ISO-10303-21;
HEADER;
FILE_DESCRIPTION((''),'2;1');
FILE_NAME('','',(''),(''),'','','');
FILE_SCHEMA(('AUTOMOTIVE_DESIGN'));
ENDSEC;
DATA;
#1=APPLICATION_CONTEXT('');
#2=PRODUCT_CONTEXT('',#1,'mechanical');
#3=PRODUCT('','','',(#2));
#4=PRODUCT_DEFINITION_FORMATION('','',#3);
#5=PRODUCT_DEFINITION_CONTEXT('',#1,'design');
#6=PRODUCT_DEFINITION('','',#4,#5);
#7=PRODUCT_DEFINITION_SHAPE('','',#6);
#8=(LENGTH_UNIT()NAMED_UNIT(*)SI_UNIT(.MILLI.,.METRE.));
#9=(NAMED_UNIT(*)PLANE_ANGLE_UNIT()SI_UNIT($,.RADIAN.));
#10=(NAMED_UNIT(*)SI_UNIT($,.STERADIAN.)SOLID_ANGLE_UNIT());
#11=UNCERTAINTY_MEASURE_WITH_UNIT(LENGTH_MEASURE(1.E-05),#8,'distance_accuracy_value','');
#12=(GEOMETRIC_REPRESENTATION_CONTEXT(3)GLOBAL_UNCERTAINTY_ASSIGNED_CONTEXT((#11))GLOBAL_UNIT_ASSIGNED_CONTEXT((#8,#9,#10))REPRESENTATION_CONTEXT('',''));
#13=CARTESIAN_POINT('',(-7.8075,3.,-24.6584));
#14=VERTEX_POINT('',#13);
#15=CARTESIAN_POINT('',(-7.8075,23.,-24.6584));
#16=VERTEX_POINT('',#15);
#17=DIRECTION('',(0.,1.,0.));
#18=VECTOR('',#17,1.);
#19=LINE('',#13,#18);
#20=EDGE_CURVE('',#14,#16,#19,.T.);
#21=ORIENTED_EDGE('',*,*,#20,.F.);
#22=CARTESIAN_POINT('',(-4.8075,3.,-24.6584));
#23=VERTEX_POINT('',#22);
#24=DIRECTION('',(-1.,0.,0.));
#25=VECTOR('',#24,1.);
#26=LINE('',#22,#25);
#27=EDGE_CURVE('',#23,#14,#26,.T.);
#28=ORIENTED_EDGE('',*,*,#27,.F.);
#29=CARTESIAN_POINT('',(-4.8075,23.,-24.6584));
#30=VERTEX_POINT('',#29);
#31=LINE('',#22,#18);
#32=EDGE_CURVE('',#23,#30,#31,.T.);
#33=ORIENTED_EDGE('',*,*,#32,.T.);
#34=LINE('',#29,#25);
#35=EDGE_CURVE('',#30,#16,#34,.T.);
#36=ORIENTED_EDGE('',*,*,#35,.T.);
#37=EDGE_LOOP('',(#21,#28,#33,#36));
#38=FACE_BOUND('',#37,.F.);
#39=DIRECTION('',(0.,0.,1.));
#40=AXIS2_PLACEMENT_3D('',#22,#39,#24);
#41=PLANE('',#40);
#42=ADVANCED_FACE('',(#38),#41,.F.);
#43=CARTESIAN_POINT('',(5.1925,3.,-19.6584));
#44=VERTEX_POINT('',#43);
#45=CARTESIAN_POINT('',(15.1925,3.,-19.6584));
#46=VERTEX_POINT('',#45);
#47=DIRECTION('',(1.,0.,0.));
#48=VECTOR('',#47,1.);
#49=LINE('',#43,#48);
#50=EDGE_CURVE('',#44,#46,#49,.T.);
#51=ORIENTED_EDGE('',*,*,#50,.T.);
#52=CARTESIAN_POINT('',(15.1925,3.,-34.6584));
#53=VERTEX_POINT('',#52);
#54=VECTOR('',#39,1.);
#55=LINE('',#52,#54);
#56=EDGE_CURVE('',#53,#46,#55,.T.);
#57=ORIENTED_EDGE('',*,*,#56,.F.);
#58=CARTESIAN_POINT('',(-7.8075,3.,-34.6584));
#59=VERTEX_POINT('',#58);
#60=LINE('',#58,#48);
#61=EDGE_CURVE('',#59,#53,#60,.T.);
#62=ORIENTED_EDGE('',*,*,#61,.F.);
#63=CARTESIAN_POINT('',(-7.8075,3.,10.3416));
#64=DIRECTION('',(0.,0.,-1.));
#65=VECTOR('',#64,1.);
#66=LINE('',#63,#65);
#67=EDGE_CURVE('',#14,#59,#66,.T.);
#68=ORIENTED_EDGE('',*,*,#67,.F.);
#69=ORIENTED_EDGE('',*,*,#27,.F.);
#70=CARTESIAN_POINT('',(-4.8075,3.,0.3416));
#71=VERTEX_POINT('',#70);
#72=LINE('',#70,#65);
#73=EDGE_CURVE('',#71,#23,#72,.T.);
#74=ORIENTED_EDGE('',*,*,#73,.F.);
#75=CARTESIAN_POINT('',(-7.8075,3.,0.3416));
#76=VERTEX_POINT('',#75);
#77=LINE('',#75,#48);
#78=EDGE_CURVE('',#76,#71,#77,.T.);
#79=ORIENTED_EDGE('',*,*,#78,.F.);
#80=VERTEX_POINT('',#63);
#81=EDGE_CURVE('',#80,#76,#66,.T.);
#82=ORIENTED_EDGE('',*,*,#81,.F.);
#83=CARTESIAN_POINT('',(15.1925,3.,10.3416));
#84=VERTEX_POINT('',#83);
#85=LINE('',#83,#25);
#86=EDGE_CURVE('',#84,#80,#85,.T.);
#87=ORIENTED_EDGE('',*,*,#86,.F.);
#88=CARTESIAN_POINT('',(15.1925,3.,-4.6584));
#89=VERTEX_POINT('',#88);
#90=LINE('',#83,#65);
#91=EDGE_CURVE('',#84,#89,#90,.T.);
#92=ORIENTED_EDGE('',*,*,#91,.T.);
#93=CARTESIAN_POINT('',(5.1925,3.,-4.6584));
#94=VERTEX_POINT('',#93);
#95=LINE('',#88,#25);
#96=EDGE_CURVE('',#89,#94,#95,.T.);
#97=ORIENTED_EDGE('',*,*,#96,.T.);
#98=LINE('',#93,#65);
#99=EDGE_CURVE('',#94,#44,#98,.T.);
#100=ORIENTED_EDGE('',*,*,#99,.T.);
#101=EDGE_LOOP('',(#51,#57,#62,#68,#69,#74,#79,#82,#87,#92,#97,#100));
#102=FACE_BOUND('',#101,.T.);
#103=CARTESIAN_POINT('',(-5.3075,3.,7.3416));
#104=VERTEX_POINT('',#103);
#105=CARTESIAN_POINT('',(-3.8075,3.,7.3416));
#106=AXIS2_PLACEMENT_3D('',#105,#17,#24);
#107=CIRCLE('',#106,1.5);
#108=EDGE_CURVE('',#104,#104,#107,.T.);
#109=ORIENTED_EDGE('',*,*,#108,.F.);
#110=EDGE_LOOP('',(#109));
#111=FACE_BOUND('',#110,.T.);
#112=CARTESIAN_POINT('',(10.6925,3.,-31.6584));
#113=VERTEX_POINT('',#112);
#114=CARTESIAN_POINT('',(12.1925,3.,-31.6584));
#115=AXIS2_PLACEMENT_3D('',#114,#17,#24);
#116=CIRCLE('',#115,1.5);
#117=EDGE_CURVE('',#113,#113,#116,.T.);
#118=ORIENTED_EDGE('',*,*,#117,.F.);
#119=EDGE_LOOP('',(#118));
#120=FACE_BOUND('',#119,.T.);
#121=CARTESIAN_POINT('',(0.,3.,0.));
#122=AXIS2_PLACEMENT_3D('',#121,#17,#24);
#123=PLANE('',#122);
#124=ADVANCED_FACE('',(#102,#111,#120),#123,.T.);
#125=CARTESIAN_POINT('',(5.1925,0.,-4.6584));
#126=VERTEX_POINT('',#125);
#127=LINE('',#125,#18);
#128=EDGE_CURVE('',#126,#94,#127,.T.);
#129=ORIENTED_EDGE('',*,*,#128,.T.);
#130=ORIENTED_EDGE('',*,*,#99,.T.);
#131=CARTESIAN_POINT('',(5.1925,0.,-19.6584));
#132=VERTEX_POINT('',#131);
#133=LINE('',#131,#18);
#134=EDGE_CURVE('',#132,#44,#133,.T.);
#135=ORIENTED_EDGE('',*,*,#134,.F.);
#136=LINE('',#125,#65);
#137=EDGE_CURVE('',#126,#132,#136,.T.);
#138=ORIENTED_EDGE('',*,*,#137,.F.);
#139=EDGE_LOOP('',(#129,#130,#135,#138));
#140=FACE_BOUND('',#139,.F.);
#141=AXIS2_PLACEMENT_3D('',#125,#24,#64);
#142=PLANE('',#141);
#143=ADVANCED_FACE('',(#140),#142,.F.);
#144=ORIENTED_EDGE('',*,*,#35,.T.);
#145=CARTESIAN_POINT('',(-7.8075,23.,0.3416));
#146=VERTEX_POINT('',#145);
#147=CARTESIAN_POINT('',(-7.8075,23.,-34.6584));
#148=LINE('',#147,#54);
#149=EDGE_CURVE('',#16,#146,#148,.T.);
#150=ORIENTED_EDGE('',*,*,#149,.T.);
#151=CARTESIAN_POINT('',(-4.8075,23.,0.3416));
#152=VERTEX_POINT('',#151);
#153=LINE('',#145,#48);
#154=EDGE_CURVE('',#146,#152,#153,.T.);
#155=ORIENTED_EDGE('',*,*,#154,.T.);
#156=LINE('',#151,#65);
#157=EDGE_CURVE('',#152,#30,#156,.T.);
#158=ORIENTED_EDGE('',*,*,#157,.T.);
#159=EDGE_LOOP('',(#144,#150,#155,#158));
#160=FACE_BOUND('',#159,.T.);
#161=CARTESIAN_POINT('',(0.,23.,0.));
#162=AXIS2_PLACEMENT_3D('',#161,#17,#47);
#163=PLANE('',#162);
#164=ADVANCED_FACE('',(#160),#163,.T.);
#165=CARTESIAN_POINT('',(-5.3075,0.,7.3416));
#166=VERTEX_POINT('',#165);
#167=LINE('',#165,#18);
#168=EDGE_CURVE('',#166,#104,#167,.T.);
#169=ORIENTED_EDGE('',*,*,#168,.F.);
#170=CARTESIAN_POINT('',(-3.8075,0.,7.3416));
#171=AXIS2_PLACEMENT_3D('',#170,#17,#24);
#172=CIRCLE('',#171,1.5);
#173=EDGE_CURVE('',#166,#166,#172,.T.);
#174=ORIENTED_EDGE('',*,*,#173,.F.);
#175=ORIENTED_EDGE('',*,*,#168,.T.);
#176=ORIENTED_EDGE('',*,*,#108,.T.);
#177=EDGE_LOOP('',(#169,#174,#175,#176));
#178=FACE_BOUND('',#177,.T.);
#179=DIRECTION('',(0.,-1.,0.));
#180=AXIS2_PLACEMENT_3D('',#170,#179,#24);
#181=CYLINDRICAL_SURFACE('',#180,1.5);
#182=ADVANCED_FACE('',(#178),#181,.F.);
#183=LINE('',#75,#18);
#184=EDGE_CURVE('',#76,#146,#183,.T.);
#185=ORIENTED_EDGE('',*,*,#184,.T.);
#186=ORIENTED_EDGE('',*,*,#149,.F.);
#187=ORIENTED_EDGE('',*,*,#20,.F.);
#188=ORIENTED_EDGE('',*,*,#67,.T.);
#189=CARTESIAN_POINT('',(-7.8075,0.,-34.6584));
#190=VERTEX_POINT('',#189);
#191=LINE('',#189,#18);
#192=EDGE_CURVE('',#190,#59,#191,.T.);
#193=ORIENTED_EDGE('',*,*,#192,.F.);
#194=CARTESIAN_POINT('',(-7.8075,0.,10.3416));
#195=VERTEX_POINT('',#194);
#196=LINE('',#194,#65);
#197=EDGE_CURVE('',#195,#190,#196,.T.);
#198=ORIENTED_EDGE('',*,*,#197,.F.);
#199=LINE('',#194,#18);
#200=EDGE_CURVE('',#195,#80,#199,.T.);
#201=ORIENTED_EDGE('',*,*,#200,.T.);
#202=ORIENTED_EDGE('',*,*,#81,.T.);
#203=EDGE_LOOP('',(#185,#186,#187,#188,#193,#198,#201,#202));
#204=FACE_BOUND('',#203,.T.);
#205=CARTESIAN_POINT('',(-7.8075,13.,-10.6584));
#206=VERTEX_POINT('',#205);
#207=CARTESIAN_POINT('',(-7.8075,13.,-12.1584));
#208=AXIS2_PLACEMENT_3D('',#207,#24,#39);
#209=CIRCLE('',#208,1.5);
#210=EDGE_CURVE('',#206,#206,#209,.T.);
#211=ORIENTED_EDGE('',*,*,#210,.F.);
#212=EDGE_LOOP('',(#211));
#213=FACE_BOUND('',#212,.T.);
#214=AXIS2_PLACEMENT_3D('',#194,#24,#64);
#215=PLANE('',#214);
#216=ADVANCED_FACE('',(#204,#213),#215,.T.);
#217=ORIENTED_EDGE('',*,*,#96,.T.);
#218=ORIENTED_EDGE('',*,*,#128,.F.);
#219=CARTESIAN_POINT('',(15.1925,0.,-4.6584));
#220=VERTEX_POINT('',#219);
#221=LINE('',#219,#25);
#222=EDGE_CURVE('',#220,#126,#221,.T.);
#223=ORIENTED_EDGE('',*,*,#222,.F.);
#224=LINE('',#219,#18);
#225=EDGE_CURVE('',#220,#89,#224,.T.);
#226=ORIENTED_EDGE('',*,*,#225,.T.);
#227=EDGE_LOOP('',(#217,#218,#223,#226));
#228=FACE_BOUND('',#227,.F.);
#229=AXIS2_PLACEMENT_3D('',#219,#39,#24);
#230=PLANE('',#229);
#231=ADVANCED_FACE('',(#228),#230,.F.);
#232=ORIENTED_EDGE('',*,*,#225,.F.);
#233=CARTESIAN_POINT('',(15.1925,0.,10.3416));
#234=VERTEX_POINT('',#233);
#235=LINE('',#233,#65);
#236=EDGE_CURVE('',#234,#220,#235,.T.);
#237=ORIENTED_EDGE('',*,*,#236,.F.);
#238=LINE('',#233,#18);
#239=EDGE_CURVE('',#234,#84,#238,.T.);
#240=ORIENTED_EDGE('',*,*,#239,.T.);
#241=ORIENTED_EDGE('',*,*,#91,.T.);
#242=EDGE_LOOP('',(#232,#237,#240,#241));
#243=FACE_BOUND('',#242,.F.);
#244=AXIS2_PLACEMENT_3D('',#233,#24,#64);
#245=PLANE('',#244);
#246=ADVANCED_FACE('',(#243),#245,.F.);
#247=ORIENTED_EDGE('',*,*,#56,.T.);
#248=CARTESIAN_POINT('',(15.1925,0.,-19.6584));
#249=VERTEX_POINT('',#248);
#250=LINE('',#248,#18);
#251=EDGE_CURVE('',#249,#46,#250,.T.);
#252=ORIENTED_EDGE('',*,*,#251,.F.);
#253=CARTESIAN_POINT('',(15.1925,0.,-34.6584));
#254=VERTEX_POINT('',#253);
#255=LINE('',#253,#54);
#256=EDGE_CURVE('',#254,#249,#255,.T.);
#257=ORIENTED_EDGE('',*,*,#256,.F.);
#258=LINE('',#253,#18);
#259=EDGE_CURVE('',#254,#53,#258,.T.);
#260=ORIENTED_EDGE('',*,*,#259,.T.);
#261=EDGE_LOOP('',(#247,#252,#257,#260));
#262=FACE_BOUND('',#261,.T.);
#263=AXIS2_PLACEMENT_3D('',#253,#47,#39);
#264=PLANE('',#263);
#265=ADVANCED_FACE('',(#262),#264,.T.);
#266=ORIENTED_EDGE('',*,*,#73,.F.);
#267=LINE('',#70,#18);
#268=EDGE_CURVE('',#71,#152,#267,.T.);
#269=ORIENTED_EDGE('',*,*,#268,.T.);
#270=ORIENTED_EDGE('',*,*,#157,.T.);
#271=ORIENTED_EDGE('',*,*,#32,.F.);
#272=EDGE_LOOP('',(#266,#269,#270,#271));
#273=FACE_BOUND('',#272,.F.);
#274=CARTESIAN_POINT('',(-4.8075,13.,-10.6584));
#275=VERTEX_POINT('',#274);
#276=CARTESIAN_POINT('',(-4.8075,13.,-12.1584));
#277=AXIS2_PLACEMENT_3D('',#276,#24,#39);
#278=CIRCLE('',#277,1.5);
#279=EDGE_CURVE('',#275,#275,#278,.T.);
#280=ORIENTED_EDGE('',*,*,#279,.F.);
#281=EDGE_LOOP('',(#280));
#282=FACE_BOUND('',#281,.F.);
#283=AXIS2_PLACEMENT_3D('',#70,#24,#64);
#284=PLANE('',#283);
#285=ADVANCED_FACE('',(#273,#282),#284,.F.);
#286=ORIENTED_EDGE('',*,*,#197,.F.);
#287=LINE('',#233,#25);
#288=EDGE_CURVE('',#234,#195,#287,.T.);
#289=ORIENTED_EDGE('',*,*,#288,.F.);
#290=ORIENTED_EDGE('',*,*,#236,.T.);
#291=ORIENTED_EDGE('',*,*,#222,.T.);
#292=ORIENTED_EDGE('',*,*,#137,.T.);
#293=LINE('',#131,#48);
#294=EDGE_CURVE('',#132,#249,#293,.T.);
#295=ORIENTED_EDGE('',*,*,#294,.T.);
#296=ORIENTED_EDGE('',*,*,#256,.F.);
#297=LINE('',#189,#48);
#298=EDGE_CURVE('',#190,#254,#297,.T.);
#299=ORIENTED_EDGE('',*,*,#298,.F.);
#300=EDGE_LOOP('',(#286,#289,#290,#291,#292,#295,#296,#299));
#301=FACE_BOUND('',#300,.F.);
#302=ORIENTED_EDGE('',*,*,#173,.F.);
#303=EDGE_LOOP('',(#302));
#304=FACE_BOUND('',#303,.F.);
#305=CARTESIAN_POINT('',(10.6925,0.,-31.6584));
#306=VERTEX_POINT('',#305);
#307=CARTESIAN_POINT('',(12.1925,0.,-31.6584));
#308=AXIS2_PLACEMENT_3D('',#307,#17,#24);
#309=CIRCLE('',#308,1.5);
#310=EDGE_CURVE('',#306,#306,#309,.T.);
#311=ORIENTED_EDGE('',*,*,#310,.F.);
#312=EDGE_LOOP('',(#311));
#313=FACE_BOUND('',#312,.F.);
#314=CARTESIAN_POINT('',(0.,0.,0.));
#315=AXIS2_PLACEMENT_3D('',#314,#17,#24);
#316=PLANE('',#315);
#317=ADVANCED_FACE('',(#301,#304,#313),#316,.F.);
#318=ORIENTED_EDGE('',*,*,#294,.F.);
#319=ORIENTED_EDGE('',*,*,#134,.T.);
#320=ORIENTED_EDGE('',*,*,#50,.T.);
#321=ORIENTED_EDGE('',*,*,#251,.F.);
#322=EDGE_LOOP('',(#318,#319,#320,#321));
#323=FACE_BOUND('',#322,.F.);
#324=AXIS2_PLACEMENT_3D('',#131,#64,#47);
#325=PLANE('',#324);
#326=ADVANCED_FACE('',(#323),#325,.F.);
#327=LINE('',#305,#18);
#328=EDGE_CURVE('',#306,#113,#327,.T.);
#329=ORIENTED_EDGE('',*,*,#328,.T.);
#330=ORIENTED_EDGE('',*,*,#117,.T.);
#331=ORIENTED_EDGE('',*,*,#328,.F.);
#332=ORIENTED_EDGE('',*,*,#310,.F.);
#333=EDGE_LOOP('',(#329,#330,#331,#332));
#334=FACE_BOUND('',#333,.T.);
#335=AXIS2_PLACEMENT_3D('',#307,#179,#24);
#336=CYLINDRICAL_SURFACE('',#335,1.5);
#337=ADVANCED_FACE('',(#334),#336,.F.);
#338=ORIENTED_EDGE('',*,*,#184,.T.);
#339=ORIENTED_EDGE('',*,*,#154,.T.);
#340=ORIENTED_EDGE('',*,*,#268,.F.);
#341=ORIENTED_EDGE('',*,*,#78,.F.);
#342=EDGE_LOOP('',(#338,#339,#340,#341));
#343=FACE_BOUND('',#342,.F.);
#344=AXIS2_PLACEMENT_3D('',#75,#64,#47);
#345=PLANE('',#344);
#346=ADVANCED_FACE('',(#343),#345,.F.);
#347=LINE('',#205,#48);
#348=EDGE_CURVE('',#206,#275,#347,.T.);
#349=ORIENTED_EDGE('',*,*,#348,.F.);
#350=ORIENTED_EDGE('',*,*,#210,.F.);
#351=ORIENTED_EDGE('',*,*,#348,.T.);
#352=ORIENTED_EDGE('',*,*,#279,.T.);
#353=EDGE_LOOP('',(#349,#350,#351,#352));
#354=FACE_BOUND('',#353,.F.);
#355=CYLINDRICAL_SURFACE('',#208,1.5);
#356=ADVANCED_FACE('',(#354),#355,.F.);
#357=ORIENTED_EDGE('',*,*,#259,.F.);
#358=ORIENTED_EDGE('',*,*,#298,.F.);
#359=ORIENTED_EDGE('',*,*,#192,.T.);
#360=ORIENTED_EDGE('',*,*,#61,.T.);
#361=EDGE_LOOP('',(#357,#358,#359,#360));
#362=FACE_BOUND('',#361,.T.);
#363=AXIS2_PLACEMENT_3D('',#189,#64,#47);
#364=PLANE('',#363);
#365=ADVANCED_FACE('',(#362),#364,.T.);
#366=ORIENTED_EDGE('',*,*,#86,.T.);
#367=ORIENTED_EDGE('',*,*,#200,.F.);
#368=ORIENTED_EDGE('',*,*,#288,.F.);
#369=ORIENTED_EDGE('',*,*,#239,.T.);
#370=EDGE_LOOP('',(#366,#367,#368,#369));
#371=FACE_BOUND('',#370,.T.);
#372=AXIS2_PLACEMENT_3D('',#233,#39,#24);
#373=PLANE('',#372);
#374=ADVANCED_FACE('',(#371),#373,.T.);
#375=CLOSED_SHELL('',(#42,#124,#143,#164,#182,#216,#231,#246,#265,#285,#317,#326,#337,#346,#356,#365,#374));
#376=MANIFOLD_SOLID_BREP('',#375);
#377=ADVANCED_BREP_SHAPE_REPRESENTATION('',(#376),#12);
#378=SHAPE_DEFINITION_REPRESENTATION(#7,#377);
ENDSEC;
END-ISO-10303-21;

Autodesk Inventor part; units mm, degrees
ref_plane "YZ Plane" through (0, 0, 0) normal (1, 0, 0) x (0, 1, 0)
ref_plane "XZ Plane" through (0, 0, 0) normal (0, 1, 0) x (-1, 0, 0)
ref_plane "XY Plane" through (0, 0, 0) normal (0, 0, 1) x (1, 0, 0)
sketch "Sketch1" plane through (0, 0, 0) normal (0, 1, 0) x (-1, 0, 0)
  line L0 (-15.1925, 10.3416) -> (7.8075, 10.3416)
  line L1 (7.8075, 10.3416) -> (7.8075, -34.6584)
  line L2 (7.8075, -34.6584) -> (-15.1925, -34.6584)
  line L3 (-15.1925, -34.6584) -> (-15.1925, -19.6584)
  line L4 (-15.1925, 10.3416) -> (-15.1925, -4.6584)
  line L5 (-15.1925, -4.6584) -> (-5.1925, -4.6584)
  line L6 (-5.1925, -4.6584) -> (-5.1925, -19.6584)
  line L7 (-5.1925, -19.6584) -> (-15.1925, -19.6584)
  circle A0 centre (-12.1925, -31.6584) radius 1.5
  circle A1 centre (3.8075, 7.3416) radius 1.5
  point P0 (0, 0)
  dimension "d0" = 23
  dimension "d1" = 45
  dimension "d2" = 15
  dimension "d3" = 15
  dimension "d4" = 10
  dimension "d5" = 3
  dimension "d6" = 3
  dimension "d7" = 3
  dimension "d8" = 3
  dimension "d10" = 3
  dimension "d23" = 23
  dimension "d24" = 19
extrude "Extrusion1" add sketch "Sketch1" along normal blind 3
sketch "Sketch2" plane through (0, 3, 0) normal (0, 1, 0) x (1, 0, 0)
  line L0 (-7.8075, 34.6584) -> (-7.8075, -10.3416) projected
  line L1 (-7.8075, -0.3416) -> (-4.8075, -0.3416)
  line L2 (-4.8075, -0.3416) -> (-4.8075, 24.6584)
  line L3 (-4.8075, 24.6584) -> (-7.8075, 24.6584)
  line L4 (-7.8075, 24.6584) -> (-7.8075, -0.3416)
  line L5 (15.1925, 34.6584) -> (-7.8075, 34.6584) projected
  line L6 (-7.8075, -10.3416) -> (15.1925, -10.3416) projected
  point P0 (0, 0)
  dimension "d13" = 10
  dimension "d14" = 10
  dimension "d15" = 3
extrude "Extrusion2" add sketch "Sketch2" along normal blind 20
sketch "Sketch3" plane through (-7.8075, 0, -34.6584) normal (-1, 0, 0) x (0, 0, 1)
  circle A0 centre (22.5, 13) radius 1.5
  line L0 (10, 23) -> (35, 23) projected
  line L1 (10, 3) -> (10, 23) projected
  point P0 (34.6584, 0)
  dimension "d18" = 10
  dimension "d19" = 12.5
  dimension "d20" = 3
extrude "Extrusion3" cut sketch "Sketch3" against normal up to surface (3 mm away)
properties part number "support-srf04"
